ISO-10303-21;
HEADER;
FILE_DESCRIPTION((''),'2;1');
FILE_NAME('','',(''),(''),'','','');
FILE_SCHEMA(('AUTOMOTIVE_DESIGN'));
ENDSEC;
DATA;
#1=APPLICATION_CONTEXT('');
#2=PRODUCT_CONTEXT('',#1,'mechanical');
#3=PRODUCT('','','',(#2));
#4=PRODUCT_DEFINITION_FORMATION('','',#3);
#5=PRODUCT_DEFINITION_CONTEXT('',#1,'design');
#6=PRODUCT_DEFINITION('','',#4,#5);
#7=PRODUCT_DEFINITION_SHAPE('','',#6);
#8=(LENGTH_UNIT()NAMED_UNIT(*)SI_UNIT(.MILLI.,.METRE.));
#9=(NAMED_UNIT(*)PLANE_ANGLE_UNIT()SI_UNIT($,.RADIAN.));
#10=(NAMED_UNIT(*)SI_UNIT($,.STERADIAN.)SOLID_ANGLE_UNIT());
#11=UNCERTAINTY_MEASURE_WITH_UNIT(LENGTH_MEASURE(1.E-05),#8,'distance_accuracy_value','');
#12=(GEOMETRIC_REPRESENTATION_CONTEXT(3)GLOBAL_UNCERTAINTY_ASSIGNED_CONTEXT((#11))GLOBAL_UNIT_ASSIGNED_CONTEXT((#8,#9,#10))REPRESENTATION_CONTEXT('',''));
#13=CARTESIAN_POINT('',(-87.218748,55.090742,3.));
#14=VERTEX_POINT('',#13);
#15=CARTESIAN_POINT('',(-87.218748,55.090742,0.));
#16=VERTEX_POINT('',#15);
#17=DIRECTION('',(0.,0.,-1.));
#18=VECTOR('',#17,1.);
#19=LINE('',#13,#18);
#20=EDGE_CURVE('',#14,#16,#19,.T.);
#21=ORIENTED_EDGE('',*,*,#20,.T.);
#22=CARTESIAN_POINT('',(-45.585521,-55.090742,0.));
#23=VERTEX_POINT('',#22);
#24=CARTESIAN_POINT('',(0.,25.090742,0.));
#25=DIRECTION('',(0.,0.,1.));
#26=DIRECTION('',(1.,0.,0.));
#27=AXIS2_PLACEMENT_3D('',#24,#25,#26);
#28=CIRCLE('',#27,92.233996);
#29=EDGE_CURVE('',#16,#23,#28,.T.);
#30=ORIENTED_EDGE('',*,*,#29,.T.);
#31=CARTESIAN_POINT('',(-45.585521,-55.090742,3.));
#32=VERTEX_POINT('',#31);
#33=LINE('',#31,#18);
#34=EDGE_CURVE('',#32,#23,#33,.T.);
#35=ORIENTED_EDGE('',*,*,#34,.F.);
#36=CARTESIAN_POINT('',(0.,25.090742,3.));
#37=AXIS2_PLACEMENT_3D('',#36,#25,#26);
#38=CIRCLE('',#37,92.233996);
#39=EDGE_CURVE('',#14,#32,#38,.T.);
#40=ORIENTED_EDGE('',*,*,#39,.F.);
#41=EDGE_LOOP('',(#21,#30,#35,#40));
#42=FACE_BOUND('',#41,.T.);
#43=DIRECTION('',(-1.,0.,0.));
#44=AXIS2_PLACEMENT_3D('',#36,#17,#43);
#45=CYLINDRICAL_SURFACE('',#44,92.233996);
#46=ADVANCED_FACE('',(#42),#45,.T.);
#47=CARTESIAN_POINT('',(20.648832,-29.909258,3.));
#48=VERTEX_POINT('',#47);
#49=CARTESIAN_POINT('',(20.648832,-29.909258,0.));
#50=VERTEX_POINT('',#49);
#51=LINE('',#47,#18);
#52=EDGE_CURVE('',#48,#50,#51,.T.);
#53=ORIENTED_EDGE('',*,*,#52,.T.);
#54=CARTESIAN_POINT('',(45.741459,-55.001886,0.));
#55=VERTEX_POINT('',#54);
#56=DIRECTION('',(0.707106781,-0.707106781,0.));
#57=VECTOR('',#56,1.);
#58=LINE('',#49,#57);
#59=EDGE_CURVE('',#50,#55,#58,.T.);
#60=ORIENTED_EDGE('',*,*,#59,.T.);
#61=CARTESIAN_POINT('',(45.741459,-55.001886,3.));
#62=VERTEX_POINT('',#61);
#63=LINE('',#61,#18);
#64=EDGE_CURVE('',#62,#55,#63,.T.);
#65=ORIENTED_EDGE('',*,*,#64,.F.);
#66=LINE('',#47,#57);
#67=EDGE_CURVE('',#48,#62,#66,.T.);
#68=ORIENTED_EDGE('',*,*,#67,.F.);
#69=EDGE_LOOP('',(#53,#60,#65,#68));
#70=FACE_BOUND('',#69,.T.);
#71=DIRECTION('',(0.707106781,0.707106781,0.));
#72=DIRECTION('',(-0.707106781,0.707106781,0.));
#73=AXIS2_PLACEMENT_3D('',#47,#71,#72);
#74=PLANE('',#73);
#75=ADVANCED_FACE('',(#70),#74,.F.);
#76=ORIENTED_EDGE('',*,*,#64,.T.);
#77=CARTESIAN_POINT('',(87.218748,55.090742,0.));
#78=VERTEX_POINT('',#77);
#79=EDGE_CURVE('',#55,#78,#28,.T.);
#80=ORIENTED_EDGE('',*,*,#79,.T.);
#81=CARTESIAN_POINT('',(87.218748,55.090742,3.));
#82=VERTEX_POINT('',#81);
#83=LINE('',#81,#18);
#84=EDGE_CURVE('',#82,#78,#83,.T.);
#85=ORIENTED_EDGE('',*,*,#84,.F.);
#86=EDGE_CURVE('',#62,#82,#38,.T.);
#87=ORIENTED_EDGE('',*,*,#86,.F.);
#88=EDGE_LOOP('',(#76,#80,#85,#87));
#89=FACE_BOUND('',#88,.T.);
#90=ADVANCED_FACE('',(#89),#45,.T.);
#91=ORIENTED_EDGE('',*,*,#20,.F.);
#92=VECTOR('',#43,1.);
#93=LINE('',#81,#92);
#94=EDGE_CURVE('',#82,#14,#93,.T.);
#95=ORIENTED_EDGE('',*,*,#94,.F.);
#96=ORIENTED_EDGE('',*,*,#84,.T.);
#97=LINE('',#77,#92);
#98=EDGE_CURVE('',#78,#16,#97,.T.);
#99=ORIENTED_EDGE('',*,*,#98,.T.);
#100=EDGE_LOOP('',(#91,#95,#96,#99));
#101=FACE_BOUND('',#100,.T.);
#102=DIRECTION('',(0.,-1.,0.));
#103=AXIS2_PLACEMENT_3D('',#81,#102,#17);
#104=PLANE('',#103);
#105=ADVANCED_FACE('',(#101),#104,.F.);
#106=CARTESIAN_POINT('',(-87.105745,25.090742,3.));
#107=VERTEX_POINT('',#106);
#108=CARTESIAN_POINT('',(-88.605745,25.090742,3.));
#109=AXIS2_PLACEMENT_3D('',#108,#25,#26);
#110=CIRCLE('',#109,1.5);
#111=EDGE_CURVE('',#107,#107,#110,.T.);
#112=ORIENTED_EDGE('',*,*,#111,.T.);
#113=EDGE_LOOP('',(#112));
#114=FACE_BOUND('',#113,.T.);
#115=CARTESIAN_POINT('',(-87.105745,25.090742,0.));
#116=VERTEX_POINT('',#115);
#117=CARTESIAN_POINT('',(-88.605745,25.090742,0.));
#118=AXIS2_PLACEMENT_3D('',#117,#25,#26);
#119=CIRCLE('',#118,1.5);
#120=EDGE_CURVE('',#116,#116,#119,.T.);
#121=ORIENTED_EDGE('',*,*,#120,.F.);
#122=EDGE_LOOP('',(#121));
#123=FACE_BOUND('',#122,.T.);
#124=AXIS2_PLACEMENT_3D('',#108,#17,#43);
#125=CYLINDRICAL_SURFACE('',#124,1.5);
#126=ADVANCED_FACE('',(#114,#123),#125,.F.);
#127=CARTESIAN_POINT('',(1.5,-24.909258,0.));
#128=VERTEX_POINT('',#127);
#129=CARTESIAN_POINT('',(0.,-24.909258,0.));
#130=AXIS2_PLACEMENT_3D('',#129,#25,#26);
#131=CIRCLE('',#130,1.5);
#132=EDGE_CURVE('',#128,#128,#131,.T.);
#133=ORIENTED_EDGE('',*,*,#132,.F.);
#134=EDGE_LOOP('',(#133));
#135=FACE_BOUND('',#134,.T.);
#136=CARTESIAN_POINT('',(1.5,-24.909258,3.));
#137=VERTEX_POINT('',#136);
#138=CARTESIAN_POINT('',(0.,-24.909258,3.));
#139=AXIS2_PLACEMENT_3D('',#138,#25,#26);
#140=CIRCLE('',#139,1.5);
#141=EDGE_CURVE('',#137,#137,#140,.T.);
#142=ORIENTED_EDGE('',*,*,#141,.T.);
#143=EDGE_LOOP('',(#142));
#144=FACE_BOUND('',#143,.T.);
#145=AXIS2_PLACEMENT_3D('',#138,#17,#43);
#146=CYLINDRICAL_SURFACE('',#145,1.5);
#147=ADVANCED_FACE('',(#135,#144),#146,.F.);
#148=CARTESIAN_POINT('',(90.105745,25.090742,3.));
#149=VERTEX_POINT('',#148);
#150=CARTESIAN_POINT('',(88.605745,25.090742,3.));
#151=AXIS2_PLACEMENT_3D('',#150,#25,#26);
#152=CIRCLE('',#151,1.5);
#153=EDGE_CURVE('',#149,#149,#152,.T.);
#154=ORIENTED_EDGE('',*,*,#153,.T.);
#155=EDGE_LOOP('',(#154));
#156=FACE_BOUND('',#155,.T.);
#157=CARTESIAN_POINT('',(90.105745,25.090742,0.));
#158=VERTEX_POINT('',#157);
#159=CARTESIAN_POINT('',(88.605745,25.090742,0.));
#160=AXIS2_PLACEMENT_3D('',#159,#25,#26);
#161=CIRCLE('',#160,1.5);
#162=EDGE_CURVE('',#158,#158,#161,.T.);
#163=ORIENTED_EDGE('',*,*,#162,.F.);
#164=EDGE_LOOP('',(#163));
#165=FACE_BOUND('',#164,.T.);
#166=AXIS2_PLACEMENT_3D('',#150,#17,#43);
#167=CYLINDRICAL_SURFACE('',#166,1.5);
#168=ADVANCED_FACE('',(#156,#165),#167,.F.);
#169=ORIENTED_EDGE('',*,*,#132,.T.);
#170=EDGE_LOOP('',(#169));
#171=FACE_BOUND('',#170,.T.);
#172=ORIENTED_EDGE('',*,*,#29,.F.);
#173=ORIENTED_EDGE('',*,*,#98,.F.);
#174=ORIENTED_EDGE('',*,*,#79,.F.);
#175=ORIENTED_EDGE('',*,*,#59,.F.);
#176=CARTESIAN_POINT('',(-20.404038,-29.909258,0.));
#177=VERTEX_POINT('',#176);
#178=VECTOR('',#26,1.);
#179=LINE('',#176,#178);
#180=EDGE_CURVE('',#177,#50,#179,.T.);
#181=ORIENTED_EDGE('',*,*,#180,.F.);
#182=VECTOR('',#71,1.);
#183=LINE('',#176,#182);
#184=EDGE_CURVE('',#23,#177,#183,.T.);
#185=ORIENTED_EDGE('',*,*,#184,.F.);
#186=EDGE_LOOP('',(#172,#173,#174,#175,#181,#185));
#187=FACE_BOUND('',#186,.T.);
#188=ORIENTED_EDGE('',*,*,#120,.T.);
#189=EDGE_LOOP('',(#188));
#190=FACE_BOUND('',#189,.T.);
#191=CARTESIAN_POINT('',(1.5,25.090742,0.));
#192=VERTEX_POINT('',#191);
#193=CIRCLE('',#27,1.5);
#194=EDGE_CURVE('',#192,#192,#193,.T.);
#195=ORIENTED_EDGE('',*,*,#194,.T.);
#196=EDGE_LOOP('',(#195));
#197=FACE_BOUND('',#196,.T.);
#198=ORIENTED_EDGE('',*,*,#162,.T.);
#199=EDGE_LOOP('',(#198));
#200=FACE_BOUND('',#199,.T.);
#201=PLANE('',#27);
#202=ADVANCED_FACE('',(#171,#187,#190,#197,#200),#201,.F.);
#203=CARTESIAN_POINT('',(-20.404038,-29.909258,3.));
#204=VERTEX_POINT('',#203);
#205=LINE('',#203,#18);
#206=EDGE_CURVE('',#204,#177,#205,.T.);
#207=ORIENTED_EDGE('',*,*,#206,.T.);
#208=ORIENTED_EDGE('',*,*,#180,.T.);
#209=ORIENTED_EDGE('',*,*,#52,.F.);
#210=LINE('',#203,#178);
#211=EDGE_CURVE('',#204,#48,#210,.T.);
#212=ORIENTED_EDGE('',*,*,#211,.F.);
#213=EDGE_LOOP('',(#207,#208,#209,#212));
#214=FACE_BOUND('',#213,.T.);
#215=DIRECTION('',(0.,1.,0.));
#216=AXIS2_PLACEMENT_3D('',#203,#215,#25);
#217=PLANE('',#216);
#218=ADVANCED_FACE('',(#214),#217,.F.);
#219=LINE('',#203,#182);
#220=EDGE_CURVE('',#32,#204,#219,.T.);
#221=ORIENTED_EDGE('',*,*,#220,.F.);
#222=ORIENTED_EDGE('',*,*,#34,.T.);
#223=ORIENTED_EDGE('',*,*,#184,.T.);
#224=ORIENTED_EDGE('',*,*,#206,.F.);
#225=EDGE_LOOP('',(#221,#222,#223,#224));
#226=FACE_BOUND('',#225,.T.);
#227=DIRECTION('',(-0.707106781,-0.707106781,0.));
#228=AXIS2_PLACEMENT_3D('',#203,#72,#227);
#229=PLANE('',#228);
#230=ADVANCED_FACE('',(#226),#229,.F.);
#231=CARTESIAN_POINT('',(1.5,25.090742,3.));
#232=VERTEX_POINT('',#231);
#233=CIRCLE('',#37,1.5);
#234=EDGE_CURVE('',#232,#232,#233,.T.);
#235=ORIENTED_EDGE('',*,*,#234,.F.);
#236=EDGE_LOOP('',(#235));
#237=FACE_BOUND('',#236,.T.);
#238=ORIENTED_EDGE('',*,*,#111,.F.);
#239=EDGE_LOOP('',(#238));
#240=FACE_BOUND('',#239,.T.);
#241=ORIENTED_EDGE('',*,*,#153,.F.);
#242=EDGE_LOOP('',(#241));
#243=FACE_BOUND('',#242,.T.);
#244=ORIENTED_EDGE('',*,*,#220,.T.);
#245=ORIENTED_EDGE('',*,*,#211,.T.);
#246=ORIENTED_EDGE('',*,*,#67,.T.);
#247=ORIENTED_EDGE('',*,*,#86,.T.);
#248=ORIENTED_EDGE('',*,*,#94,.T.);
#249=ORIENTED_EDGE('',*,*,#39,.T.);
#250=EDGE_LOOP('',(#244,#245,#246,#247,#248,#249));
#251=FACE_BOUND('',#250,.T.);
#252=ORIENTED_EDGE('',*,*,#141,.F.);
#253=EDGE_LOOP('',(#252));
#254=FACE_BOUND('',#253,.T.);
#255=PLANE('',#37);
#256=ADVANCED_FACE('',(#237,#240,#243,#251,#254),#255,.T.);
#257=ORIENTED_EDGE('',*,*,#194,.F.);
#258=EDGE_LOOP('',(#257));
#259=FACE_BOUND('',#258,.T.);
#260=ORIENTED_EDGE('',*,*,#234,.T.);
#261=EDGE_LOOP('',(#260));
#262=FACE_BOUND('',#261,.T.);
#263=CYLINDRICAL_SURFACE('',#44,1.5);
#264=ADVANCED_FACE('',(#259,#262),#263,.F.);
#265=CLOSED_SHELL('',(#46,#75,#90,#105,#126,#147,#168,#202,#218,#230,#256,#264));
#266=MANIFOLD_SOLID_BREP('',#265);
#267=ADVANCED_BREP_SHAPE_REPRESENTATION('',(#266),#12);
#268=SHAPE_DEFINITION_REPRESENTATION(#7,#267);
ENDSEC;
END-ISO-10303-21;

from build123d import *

# Parameters (mm, degrees)
CROQUIS1_R              = 1.5
SALIENTE_EXTRUIR1_DEPTH = 3


with BuildPart() as part:
    # Croquis1 → Saliente-Extruir1 (new body)
    with BuildSketch(Plane.XY):
        with BuildLine():
            Line((87.218748359, 55.090741804), (-87.218748359, 55.090741804))
            ThreePointArc((-87.218748359, 55.090741804), (-86.279970689, -7.51104838), (-45.585521295, -55.090741804))
            Line((-45.585521295, -55.090741804), (-20.404037688, -29.909258196))
            Line((-20.404037688, -29.909258196), (20.648831544, -29.909258196))
            Line((20.648831544, -29.909258196), (45.741459084, -55.001885736))
            ThreePointArc((45.741459084, -55.001885736), (86.311649564, -7.427087381), (87.218748359, 55.090741804))
        make_face()
        with Locations((0, -24.909258196)):
            Circle(CROQUIS1_R, mode=Mode.SUBTRACT)
        with Locations((88.605744965, 25.090741804)):
            Circle(CROQUIS1_R, mode=Mode.SUBTRACT)
        with Locations((0, 25.090741804)):
            Circle(CROQUIS1_R, mode=Mode.SUBTRACT)
        with Locations((-88.605744965, 25.090741804)):
            Circle(CROQUIS1_R, mode=Mode.SUBTRACT)
    extrude(amount=SALIENTE_EXTRUIR1_DEPTH)


solid = part.part
